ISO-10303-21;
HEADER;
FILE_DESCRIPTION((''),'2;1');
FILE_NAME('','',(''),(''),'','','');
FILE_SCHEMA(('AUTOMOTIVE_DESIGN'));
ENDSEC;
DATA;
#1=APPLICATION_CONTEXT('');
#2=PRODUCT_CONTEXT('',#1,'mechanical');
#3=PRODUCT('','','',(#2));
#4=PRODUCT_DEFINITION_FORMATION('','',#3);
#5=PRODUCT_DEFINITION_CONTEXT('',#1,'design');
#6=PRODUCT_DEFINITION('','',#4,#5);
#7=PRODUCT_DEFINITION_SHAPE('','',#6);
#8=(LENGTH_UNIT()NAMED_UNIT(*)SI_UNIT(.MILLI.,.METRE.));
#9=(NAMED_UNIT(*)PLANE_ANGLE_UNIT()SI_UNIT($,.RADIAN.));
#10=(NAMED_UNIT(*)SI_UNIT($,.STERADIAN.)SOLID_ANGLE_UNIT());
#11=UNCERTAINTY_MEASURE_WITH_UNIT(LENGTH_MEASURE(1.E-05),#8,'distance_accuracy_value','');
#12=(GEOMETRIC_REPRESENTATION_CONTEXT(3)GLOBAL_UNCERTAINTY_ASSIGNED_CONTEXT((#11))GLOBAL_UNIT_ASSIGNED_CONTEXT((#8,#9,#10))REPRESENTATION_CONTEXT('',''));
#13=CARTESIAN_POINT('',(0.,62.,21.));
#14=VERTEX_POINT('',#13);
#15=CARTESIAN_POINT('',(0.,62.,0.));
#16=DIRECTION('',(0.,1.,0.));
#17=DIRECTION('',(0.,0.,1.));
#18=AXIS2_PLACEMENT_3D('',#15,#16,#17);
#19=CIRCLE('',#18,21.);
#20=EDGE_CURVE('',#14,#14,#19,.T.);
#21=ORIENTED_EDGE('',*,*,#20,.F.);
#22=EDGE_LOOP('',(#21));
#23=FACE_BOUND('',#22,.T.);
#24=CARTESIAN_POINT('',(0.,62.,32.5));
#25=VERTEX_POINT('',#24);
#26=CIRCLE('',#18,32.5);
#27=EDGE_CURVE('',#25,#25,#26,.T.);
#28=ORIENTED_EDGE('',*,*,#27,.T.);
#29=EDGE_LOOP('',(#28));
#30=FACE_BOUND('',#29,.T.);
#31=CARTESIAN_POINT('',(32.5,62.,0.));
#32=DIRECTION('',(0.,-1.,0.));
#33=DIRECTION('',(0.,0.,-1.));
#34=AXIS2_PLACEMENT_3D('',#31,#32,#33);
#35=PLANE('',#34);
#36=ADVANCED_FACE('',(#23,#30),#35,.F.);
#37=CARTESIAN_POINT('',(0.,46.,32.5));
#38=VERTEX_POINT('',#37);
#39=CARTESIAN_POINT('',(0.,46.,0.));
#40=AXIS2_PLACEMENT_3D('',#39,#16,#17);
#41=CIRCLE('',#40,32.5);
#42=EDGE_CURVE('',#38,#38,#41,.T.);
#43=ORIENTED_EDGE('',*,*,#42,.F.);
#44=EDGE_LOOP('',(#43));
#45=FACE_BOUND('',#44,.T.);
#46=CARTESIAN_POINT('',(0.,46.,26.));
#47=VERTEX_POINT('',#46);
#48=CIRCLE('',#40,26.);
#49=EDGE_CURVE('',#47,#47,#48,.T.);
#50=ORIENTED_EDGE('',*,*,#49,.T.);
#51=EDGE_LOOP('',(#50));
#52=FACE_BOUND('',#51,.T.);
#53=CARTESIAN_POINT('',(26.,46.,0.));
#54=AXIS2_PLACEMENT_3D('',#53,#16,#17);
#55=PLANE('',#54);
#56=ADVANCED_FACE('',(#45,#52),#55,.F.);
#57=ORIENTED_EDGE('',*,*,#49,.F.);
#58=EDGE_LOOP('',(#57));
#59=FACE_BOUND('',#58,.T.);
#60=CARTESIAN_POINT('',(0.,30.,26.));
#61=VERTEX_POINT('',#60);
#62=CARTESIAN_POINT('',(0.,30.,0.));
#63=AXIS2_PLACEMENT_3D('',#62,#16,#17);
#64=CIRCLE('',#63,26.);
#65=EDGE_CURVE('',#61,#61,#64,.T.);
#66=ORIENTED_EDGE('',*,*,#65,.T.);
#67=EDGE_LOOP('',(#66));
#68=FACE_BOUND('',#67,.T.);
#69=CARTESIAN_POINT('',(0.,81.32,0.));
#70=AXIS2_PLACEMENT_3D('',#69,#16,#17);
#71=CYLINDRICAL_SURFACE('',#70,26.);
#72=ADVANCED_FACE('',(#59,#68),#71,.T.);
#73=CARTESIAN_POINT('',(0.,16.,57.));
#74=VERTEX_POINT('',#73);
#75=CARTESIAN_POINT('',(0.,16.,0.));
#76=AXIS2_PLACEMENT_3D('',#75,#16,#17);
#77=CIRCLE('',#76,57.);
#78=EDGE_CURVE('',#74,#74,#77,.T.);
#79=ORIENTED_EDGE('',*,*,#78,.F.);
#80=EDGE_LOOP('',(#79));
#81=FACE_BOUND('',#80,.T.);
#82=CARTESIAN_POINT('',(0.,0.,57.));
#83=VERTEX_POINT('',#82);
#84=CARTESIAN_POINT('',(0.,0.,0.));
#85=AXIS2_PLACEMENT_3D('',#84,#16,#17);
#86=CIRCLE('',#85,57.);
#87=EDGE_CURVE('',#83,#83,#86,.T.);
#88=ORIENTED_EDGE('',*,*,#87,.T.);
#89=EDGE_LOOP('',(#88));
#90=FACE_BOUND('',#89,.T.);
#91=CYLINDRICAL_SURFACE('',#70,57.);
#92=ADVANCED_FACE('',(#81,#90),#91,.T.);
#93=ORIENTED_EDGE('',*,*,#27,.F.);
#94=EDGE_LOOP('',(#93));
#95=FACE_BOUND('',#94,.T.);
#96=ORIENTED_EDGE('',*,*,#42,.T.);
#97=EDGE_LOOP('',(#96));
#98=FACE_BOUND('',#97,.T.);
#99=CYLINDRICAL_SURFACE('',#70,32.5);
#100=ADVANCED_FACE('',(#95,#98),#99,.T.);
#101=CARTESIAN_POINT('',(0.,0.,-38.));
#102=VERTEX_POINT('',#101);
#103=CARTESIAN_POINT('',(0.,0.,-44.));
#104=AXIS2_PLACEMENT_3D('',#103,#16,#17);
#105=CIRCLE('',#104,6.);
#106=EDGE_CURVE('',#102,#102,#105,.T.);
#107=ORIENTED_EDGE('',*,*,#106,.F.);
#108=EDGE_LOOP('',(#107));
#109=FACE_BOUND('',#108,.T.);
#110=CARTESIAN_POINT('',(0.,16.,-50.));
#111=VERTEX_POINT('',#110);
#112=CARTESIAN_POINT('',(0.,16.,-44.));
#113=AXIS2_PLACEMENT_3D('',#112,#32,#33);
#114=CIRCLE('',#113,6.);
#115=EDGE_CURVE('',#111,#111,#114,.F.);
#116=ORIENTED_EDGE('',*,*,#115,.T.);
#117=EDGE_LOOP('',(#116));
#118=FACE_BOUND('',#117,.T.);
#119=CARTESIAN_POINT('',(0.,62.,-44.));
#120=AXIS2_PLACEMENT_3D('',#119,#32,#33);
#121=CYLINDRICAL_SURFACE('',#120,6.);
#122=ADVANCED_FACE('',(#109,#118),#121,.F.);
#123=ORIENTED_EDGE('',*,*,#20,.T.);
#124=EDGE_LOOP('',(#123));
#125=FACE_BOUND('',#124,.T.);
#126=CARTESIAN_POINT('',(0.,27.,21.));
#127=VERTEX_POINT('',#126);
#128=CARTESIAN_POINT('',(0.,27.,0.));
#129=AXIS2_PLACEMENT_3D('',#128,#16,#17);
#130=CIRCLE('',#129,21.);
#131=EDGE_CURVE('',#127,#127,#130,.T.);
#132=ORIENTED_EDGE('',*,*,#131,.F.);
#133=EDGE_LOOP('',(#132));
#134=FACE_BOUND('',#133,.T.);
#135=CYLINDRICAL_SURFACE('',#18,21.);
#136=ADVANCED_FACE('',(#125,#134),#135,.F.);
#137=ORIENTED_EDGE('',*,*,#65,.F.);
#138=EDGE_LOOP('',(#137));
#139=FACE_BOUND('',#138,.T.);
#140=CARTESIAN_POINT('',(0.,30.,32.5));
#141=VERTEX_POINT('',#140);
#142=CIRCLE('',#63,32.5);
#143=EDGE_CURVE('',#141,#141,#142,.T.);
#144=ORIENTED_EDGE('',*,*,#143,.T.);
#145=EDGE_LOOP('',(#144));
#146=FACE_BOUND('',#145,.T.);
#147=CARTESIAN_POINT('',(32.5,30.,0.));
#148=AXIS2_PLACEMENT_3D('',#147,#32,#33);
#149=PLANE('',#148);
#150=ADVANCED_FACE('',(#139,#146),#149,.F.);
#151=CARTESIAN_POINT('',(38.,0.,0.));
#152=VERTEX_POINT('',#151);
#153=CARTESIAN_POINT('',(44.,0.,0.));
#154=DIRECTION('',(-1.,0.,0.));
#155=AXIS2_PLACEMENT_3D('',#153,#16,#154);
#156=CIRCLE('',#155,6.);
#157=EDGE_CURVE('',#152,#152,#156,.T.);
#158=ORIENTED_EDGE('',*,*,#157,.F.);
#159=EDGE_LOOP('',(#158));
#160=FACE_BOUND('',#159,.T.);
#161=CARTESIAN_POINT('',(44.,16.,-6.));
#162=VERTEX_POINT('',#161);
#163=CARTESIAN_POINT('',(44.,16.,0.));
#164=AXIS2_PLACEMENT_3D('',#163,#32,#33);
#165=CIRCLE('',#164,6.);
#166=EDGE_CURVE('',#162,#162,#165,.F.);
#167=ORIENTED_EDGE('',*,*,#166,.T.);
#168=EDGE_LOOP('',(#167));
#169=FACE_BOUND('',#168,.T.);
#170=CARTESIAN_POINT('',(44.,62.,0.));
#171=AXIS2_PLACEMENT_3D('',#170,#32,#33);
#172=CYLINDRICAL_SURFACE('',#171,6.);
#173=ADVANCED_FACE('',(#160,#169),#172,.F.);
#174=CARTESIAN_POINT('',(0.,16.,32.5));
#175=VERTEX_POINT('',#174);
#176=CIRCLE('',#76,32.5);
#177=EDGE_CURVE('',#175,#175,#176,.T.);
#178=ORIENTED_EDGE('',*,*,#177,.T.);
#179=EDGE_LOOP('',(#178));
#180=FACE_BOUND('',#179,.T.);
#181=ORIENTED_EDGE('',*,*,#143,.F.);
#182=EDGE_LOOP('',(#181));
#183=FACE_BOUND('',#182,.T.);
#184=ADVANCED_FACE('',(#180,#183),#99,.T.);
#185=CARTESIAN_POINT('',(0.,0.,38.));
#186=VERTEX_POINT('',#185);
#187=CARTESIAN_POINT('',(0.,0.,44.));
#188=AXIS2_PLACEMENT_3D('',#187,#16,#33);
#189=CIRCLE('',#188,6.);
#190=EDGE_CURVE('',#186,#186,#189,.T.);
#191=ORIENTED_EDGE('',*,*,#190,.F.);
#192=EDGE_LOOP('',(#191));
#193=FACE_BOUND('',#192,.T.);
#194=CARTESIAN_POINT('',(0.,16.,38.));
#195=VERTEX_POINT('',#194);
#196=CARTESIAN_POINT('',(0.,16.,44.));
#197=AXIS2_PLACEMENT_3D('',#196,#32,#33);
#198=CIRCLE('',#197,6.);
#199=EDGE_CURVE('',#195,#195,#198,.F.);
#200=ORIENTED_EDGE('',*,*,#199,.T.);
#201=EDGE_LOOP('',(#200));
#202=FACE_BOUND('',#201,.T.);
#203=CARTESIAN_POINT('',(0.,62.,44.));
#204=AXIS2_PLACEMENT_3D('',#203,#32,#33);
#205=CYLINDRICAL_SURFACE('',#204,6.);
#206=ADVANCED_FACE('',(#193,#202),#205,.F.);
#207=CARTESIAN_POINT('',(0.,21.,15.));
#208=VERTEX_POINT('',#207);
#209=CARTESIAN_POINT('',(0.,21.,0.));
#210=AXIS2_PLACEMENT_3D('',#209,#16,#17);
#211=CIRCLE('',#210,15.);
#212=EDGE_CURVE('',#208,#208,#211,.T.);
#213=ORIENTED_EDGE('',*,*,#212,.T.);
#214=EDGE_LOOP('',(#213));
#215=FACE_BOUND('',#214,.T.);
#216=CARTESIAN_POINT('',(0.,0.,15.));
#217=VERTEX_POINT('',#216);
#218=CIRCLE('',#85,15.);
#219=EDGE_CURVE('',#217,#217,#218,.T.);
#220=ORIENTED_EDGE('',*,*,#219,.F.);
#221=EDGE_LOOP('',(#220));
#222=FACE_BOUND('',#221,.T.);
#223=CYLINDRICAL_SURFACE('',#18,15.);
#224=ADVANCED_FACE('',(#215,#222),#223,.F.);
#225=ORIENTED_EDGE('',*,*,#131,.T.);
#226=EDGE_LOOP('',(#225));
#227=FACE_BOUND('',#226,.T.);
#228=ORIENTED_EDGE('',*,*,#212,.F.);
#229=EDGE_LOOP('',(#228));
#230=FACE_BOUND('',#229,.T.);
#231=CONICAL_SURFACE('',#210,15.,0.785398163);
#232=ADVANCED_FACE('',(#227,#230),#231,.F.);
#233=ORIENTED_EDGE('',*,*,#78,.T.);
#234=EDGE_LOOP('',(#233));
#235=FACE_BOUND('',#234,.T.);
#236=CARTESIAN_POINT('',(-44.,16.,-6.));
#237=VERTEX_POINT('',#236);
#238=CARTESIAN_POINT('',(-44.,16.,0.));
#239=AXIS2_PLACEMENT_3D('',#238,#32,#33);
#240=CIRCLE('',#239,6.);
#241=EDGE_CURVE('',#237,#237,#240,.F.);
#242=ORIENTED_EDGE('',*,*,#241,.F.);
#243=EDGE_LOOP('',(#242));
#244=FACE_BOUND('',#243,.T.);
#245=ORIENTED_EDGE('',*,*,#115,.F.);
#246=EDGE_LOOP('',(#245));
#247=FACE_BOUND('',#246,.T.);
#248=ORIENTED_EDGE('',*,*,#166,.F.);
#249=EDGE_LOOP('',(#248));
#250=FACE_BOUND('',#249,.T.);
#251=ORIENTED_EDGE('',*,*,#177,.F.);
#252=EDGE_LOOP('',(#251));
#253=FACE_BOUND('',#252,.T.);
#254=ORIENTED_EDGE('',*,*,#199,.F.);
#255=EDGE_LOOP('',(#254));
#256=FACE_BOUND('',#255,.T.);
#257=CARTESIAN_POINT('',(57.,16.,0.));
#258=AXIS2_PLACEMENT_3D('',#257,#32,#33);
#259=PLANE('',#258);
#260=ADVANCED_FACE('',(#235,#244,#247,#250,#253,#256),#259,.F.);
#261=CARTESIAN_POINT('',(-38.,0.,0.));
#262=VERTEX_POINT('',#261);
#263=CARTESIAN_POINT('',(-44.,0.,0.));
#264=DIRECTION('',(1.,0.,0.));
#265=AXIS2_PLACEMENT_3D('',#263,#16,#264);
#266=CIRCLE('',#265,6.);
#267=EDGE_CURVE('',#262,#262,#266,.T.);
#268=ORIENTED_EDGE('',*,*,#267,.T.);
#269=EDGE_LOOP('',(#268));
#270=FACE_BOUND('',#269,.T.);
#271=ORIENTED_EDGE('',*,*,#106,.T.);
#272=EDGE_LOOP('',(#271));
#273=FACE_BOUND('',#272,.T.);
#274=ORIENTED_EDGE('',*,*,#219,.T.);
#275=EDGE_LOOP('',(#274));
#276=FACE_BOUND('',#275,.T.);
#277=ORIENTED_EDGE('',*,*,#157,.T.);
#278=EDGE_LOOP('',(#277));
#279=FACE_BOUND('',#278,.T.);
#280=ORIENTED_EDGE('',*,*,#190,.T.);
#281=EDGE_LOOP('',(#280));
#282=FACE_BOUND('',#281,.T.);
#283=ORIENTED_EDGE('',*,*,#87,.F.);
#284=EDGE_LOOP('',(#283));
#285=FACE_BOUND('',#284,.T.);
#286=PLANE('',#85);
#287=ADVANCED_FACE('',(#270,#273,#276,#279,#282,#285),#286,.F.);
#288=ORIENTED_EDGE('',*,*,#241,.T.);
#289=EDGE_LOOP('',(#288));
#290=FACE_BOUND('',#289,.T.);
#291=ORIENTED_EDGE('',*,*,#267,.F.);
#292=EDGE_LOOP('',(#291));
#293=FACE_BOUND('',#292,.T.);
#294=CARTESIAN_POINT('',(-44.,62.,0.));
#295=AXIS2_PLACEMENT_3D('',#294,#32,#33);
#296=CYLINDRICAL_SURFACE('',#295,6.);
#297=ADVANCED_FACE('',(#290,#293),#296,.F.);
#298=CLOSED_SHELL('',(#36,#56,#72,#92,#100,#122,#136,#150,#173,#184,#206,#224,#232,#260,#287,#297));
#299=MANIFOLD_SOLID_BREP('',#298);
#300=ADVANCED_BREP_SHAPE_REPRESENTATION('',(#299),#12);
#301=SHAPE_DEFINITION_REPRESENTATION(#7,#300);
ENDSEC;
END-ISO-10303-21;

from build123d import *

# Parameters (mm, degrees)
SKETCH_6_R               = 6
CUT_EXTRUDE_2_DEPTH      = 63
PATTERN_CIRCULAR_1_COUNT = 4


with BuildPart() as part:
    # 스케치2 → 회전1 (revolve)
    with BuildSketch(Plane.XY):
        Polygon((0, 0), (57, 0), (57, 16), (32.5, 16), (32.5, 30), (26, 30), (26, 46), (32.5, 46), (32.5, 62), (0, 62), align=None)
    revolve(axis=Axis((0, 81.32, 0), (0, -1, 0)))

    # 스케치5 → 컷-회전1 (revolve, cut)
    with BuildSketch(Plane.XY):
        Polygon((0, 0), (15, 0), (15, 21), (21, 27), (21, 62), (0, 62), align=None)
    revolve(axis=Axis((0, 62, 0), (0, -1, 0)), mode=Mode.SUBTRACT)

    # 스케치6 → 컷-돌출2 (cut, through all)
    with BuildSketch(Plane(origin=(0, 0, 0), x_dir=(1, 0, 0), z_dir=(0, 1, 0))):
        with Locations((0, 44)):
            Circle(SKETCH_6_R)
    cut_extrude_2 = extrude(amount=CUT_EXTRUDE_2_DEPTH, mode=Mode.SUBTRACT)

    # 원형 패턴1: 컷-돌출2 ×4 about axis
    pattern_circular_1_axis = Axis((0, 0, 0), (0, 1, 0))
    for i in range(1, PATTERN_CIRCULAR_1_COUNT):
        add(cut_extrude_2.rotate(pattern_circular_1_axis, i * 360 / PATTERN_CIRCULAR_1_COUNT), mode=Mode.SUBTRACT)


solid = part.part
